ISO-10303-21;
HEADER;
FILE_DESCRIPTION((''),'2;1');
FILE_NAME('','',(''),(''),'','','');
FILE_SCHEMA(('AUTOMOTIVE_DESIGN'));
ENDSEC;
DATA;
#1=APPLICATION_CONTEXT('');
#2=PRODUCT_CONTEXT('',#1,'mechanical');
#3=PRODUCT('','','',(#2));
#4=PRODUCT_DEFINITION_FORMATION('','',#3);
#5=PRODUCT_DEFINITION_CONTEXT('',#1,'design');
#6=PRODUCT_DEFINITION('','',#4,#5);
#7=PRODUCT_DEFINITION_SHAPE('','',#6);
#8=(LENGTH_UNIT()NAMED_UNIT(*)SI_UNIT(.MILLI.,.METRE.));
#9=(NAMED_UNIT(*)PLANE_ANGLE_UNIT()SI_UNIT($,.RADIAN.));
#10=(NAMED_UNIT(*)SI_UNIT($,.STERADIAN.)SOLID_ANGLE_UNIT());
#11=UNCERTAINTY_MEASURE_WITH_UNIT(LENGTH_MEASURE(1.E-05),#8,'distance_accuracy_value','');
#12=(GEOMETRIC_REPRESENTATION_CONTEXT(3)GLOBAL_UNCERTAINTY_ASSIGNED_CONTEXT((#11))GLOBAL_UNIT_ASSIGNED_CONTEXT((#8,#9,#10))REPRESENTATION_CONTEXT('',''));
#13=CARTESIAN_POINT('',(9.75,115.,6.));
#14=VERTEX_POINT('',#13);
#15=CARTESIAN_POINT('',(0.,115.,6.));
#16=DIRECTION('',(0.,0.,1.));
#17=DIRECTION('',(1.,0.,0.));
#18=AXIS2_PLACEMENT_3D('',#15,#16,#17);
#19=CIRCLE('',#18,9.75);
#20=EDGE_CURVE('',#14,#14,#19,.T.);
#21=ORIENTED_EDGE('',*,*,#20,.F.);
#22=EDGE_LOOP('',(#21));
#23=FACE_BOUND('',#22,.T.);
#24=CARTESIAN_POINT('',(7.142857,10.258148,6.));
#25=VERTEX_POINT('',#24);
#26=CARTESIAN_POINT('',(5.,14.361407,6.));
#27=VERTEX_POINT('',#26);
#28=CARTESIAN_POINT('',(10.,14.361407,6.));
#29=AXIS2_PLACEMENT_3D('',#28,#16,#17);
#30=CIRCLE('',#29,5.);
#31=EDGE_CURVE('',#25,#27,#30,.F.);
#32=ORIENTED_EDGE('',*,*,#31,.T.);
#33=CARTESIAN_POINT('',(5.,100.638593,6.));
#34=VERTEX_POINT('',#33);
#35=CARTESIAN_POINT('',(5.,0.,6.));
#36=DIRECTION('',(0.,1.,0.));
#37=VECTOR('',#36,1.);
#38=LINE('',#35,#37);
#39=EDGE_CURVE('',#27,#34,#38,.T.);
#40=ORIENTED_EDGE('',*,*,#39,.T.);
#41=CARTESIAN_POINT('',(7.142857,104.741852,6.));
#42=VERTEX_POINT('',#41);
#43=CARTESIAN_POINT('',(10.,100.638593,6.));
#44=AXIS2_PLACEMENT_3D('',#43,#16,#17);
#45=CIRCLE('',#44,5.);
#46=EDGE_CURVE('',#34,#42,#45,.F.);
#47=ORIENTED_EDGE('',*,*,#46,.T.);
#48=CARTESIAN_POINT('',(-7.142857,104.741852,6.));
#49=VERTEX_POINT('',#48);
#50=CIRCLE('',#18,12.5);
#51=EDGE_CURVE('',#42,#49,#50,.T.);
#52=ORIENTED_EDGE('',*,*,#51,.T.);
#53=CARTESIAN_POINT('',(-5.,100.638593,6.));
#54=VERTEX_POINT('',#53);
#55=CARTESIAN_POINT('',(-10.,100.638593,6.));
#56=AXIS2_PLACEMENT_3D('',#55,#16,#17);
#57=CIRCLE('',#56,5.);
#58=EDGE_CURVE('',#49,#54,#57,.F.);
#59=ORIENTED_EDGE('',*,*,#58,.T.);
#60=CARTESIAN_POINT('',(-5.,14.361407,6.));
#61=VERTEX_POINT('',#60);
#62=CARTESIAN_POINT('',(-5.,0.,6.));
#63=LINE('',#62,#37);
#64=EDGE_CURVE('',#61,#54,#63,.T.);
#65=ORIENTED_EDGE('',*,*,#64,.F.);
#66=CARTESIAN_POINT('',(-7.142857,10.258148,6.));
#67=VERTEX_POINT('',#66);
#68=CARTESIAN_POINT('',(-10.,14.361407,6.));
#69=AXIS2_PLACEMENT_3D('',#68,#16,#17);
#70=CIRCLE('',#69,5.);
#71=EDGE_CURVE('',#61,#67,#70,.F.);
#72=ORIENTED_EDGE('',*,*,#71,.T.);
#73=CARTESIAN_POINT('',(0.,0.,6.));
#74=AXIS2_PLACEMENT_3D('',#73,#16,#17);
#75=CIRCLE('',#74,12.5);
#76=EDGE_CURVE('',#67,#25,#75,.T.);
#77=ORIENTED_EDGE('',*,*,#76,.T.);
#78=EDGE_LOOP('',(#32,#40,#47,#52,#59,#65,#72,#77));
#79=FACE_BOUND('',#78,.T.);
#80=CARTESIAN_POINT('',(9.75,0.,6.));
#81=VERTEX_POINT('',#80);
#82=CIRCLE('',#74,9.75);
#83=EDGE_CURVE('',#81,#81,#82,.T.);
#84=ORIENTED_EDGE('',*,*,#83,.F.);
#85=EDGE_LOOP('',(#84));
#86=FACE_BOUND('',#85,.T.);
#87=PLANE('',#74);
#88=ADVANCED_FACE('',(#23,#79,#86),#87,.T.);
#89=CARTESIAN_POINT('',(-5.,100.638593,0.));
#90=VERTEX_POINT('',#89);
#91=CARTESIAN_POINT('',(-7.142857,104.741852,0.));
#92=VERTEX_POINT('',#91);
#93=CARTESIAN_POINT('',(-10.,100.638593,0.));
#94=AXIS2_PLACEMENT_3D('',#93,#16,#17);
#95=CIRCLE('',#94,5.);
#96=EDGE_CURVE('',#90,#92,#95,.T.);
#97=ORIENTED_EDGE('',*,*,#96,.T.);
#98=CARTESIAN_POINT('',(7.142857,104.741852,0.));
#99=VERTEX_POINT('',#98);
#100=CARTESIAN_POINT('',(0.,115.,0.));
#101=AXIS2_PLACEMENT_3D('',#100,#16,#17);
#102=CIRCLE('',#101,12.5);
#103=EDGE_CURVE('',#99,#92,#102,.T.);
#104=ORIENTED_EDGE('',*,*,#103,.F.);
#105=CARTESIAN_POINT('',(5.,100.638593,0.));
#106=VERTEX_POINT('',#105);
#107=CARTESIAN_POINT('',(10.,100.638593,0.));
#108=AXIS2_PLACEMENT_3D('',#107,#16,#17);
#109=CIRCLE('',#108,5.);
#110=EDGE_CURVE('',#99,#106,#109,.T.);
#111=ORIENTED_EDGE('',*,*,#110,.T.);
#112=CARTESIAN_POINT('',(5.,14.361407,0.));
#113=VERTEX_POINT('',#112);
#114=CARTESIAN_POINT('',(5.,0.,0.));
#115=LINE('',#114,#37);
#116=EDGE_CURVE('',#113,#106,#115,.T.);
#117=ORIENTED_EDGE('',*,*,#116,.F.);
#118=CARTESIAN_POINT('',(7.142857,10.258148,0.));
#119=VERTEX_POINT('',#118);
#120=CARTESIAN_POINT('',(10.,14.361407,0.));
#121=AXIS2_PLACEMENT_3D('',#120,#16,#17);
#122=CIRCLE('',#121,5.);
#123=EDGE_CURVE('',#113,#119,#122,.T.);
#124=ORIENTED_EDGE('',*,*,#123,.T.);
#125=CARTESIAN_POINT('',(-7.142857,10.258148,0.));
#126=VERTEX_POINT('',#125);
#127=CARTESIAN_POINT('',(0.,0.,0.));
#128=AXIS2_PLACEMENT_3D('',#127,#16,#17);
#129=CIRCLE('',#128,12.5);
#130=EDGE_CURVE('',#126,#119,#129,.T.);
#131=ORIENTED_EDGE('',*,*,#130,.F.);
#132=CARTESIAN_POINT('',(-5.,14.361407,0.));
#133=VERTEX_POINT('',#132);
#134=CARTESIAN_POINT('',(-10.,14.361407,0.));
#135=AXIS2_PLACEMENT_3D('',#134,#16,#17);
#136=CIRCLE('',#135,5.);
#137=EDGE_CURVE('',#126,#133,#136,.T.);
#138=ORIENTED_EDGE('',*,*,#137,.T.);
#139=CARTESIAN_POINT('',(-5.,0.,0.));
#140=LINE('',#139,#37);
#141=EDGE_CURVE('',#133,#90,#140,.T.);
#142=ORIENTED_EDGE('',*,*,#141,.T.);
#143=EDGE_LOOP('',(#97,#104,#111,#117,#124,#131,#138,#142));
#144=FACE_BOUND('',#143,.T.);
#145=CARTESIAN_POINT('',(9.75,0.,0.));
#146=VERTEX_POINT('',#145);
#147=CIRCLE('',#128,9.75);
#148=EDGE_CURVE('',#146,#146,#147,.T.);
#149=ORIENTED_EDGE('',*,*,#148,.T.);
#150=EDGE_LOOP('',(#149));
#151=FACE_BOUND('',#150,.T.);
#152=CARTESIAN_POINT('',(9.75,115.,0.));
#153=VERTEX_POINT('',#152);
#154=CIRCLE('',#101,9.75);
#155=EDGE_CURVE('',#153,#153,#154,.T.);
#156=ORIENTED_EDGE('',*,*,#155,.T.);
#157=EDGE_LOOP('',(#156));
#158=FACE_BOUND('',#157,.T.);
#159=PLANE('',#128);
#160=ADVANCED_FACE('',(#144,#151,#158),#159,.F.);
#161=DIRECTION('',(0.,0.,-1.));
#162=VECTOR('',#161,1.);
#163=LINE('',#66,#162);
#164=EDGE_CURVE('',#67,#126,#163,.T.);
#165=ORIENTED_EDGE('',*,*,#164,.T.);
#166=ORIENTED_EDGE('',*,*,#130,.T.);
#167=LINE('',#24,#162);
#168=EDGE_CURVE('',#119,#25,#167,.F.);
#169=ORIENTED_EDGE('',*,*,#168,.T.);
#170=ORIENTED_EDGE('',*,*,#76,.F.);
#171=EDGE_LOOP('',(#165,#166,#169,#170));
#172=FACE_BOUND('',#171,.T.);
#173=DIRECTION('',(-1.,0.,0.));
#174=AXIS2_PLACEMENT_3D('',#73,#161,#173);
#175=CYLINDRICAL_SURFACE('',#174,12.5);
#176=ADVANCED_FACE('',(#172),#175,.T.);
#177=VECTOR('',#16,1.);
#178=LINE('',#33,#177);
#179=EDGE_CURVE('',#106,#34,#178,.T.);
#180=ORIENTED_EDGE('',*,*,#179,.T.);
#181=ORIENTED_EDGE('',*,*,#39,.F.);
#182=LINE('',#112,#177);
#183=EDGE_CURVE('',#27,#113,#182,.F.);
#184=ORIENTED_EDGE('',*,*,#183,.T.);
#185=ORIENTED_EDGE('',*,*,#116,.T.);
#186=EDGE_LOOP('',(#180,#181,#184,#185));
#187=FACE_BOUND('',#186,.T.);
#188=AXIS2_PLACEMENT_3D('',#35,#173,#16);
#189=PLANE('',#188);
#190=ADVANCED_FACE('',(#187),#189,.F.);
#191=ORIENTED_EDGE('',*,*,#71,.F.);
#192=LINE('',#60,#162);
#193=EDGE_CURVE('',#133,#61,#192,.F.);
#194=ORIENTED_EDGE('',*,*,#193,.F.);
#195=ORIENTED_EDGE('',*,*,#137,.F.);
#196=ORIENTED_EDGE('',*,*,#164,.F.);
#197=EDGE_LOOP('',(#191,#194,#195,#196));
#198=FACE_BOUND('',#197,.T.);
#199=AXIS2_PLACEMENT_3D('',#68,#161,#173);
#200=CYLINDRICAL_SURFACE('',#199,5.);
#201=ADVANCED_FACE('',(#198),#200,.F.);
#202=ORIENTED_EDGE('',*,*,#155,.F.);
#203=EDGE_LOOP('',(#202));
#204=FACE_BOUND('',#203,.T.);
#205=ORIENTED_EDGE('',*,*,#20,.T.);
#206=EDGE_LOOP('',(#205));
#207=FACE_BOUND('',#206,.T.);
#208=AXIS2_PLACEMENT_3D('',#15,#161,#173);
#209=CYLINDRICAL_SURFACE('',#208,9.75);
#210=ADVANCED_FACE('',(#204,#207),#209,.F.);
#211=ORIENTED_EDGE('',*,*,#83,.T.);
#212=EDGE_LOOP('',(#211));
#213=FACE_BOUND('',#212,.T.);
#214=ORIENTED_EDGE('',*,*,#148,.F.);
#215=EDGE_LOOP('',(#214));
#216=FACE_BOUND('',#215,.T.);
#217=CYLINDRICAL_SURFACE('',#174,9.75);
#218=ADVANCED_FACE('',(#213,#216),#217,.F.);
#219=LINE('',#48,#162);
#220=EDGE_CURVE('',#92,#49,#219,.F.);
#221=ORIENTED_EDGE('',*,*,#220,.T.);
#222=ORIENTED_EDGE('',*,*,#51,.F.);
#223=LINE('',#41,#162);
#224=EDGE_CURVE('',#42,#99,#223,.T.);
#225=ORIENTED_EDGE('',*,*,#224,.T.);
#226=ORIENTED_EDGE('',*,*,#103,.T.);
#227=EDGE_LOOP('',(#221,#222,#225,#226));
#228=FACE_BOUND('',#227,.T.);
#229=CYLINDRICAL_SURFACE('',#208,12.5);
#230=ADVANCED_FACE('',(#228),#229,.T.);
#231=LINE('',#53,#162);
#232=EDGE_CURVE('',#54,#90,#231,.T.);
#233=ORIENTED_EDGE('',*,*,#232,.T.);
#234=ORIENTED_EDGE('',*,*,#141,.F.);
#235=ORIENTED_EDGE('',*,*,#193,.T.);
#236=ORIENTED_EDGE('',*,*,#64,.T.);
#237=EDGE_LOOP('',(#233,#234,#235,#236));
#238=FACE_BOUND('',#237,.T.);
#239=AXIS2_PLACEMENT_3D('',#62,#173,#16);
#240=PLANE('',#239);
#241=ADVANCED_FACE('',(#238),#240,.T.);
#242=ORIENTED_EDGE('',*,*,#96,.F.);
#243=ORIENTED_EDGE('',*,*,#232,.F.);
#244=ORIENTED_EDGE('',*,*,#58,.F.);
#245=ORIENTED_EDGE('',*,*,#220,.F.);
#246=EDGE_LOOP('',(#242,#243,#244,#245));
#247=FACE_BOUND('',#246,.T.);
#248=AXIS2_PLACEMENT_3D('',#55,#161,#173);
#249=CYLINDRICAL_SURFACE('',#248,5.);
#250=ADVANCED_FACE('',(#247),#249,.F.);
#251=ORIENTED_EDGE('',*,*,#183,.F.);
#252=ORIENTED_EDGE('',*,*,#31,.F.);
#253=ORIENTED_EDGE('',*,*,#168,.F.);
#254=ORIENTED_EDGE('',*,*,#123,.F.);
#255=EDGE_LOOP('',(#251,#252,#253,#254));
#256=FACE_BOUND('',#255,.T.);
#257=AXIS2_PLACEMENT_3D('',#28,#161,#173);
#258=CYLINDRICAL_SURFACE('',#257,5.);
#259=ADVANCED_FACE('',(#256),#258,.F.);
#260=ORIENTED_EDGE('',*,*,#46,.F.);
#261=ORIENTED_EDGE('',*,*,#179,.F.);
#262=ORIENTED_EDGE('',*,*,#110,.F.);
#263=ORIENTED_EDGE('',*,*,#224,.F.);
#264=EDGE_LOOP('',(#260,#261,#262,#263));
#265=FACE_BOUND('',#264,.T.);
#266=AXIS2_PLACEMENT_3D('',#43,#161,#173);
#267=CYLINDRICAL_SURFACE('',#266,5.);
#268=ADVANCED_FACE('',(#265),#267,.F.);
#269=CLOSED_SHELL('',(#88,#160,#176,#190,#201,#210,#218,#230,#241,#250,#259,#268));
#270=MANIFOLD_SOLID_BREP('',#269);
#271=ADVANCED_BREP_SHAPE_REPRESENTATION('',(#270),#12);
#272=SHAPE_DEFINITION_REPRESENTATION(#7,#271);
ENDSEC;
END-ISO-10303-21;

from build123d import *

# Parameters (mm, degrees)
SALIENTE_EXTRUIR1_DEPTH = 6
REDONDEO1_R             = 5


with BuildPart() as part:
    # Croquis1 → Saliente-Extruir1 (new body)
    with BuildSketch(Plane.XY):
        with BuildLine():
            ThreePointArc((-5, 103.543560763), (0, 102.5), (5, 103.543560763))
            Line((5, 103.543560763), (5, 106.629665479))
            ThreePointArc((5, 106.629665479), (0, 105.25), (-5, 106.629665479))
            Line((-5, 106.629665479), (-5, 103.543560763))
        make_face()
        with BuildLine():
            Line((5, 106.629665479), (5, 103.543560763))
            ThreePointArc((5, 103.543560763), (10.458250332, 108.153468031), (12.5, 115))
            ThreePointArc((12.5, 115), (-6.846531969, 125.458250332), (-5, 103.543560763))
            Line((-5, 103.543560763), (-5, 106.629665479))
            ThreePointArc((-5, 106.629665479), (-4.812094139, 123.479755303), (9.75, 115))
            ThreePointArc((9.75, 115), (8.479755303, 110.187905861), (5, 106.629665479))
        make_face()
        with BuildLine():
            ThreePointArc((-5, 11.456439237), (0, 12.5), (5, 11.456439237))
            Line((5, 11.456439237), (5, 103.543560763))
            ThreePointArc((5, 103.543560763), (0, 102.5), (-5, 103.543560763))
            Line((-5, 103.543560763), (-5, 11.456439237))
        make_face()
        with BuildLine():
            ThreePointArc((-5, 8.370334521), (0, 9.75), (5, 8.370334521))
            Line((5, 8.370334521), (5, 11.456439237))
            ThreePointArc((5, 11.456439237), (0, 12.5), (-5, 11.456439237))
            Line((-5, 11.456439237), (-5, 8.370334521))
        make_face()
        with BuildLine():
            Line((5, 11.456439237), (5, 8.370334521))
            ThreePointArc((5, 8.370334521), (8.479755303, 4.812094139), (9.75, 0))
            ThreePointArc((9.75, 0), (-4.812094139, -8.479755303), (-5, 8.370334521))
            Line((-5, 8.370334521), (-5, 11.456439237))
            ThreePointArc((-5, 11.456439237), (-6.846531969, -10.458250332), (12.5, 0))
            ThreePointArc((12.5, 0), (10.458250332, 6.846531969), (5, 11.456439237))
        make_face()
    extrude(amount=SALIENTE_EXTRUIR1_DEPTH)

    # Redondeo1
    redondeo1_edges = [part.edges().sort_by_distance(p)[0] for p in [
        (-5, 11.456439237, 3),
        (-5, 103.543560763, 3),
        (5, 103.543560763, 3),
        (5, 11.456439237, 3),
    ]]
    fillet(redondeo1_edges, radius=REDONDEO1_R)


solid = part.part
